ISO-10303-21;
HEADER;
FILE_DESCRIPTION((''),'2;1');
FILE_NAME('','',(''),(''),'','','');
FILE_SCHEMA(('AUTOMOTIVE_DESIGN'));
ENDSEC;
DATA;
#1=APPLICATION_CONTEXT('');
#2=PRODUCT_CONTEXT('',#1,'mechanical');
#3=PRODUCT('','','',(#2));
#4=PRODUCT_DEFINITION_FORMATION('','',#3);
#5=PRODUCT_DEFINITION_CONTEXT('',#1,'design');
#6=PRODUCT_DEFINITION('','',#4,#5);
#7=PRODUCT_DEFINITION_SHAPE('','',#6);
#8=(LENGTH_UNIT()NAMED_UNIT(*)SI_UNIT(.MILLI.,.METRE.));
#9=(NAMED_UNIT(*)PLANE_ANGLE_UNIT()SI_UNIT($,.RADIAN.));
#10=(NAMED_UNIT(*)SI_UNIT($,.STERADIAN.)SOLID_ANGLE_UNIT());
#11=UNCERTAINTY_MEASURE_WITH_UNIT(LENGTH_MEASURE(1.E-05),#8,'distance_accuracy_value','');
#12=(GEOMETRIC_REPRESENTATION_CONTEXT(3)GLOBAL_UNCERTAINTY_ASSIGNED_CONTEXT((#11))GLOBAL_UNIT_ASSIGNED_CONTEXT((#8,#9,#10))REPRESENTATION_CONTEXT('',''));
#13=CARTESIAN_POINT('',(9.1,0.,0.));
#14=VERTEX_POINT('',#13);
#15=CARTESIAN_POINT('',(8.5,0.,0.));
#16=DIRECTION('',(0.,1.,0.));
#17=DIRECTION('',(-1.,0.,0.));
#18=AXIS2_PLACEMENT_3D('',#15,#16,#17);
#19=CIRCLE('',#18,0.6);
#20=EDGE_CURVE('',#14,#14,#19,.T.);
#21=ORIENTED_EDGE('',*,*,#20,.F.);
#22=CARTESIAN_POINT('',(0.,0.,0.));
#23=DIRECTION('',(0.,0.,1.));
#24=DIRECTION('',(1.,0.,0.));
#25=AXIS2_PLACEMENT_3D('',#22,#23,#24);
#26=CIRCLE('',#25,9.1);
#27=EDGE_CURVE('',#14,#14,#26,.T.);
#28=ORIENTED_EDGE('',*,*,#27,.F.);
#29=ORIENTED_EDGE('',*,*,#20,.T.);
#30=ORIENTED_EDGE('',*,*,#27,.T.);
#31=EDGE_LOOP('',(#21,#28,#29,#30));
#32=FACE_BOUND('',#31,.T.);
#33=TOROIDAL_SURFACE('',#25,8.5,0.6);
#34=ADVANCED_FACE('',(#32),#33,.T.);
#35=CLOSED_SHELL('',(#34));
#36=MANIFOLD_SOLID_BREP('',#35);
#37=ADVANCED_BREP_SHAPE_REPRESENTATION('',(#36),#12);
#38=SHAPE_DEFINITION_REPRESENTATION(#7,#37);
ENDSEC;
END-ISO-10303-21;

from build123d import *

# Parameters (mm, degrees)
SWEEP_1_PROFILE_R = 0.6


with BuildPart() as part:
    # 扫描1: sweep along a path in 草图1
    with BuildLine(Plane.XY) as sweep_1_path:
        CenterArc((0, 0), 8.5, 0, 360)
    # 扫描1 profile (on start of the path) → 扫描1 (sweep)
    with BuildSketch(Plane(origin=(8.5, 0, 0), x_dir=(0, 0, 1), z_dir=(0, 1, 0))):
        Circle(SWEEP_1_PROFILE_R)
    sweep(path=sweep_1_path.line)


solid = part.part
